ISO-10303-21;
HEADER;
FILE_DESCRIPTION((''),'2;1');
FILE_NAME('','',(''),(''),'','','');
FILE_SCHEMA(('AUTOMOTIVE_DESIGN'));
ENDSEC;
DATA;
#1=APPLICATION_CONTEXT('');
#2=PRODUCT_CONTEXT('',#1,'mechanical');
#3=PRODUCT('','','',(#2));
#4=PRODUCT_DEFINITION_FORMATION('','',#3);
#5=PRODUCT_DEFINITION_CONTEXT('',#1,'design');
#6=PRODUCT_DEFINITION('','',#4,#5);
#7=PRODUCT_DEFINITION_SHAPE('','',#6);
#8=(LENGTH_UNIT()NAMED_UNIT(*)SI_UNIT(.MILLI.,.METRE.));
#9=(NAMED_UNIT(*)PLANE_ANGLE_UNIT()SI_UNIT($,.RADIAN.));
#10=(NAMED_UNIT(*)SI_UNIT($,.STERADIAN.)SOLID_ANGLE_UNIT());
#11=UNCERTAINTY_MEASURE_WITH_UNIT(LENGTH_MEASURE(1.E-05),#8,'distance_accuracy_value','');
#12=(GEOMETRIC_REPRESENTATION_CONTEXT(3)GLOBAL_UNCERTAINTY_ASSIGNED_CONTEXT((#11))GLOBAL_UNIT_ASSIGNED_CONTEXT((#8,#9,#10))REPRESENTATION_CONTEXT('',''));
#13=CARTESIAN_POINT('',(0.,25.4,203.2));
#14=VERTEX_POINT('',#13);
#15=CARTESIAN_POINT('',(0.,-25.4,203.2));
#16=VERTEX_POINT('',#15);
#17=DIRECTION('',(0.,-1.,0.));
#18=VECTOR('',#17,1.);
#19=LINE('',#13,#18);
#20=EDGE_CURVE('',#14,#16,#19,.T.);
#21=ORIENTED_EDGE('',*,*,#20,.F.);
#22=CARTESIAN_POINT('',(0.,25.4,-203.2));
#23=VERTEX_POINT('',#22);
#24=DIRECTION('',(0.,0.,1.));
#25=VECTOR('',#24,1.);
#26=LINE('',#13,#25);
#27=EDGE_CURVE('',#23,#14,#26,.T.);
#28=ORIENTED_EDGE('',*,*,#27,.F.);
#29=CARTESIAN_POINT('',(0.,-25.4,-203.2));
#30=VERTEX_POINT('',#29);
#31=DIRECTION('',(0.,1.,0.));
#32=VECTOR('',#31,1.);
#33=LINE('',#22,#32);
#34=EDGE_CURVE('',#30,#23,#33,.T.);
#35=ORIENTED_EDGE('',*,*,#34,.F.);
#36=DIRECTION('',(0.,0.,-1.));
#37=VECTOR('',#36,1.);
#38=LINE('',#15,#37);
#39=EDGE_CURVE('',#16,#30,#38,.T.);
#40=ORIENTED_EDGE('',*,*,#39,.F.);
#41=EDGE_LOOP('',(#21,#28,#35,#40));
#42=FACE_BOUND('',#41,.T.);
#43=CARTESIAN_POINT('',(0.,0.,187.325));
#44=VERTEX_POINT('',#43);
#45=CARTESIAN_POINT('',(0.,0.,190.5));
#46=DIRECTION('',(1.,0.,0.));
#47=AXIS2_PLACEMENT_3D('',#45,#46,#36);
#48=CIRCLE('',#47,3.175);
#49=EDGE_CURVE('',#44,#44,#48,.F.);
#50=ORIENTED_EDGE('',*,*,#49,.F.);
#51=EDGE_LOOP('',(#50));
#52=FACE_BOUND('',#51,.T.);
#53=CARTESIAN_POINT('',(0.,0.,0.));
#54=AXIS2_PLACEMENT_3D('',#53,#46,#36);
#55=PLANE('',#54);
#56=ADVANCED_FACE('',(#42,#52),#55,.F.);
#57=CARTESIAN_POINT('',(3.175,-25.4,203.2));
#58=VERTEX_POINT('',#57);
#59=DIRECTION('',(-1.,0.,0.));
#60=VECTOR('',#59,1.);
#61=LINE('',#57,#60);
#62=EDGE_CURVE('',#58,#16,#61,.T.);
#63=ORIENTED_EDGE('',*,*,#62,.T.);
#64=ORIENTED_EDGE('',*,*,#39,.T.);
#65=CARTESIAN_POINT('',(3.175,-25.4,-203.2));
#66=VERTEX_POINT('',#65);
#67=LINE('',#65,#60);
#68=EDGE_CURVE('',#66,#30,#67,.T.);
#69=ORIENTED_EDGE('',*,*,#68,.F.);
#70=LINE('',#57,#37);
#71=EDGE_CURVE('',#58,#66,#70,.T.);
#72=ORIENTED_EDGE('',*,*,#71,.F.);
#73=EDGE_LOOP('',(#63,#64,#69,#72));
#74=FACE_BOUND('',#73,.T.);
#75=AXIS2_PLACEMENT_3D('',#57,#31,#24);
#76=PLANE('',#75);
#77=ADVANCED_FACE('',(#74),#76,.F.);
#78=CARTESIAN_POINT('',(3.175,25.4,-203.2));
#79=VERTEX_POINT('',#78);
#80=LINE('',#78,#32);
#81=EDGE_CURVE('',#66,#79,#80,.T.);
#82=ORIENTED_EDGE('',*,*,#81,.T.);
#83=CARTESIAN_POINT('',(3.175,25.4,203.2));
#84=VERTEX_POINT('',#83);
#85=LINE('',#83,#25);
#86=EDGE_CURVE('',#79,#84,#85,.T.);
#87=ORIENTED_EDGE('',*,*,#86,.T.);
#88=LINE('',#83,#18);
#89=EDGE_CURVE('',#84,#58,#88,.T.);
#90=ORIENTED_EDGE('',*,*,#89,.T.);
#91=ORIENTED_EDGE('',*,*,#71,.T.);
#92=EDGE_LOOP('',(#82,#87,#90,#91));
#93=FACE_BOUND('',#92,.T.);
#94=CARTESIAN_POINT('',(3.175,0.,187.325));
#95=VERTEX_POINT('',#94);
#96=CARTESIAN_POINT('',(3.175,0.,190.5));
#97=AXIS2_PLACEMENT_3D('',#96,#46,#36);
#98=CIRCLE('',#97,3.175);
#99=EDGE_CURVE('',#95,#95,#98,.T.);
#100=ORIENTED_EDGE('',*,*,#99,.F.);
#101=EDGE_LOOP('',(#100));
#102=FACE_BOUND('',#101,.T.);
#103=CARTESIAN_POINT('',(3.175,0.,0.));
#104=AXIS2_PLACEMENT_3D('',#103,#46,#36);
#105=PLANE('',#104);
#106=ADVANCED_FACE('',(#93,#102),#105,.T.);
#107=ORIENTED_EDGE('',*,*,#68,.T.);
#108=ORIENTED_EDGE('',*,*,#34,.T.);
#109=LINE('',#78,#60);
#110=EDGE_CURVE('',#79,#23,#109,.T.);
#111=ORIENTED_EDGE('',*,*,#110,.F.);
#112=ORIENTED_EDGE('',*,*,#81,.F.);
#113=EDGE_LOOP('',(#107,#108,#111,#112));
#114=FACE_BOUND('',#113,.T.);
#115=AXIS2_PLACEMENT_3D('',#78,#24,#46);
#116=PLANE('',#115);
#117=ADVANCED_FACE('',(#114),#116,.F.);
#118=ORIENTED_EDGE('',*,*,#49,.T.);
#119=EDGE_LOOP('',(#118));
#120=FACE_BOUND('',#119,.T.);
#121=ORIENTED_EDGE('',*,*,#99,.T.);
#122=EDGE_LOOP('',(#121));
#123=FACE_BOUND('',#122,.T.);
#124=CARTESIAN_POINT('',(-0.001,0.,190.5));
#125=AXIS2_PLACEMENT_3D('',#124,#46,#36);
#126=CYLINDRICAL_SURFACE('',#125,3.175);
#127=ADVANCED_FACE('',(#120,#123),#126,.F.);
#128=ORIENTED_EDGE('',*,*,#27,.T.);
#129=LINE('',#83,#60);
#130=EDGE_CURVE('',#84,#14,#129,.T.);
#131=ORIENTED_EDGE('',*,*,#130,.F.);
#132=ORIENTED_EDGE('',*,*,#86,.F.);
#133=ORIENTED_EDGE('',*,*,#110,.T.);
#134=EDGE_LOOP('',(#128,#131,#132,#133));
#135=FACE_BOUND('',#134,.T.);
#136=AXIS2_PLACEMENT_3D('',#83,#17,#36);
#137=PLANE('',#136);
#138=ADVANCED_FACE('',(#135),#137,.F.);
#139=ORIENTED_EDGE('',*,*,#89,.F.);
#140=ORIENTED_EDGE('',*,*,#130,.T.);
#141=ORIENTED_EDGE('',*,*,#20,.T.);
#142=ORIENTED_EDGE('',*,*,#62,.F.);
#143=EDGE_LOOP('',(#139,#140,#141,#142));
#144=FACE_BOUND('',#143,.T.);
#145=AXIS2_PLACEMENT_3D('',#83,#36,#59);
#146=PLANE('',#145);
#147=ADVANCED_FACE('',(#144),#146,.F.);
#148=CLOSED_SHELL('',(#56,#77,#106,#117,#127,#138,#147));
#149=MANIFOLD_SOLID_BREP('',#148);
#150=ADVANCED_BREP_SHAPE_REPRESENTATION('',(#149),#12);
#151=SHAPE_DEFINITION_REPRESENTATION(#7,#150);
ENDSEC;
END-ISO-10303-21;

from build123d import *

# Parameters (mm, degrees)
SKETCH1_W           = 406.4
SKETCH1_H           = 50.8
BOSS_EXTRUDE1_DEPTH = 3.175
CUT_EXTRUDE1_REACH  = 206.806
SKETCH2_R           = 3.175


with BuildPart() as part:
    # Sketch1 → Boss-Extrude1 (new body)
    with BuildSketch(Plane(origin=(0, 0, 0), x_dir=(0, 0, -1), z_dir=(1, 0, 0))):
        Rectangle(SKETCH1_W, SKETCH1_H)
    extrude(amount=BOSS_EXTRUDE1_DEPTH)

    # Sketch2 → Cut-Extrude1 (cut, up to next)
    with BuildSketch(Plane(origin=(3.175, 0, 0), x_dir=(0, 0, -1), z_dir=(1, 0, 0)), mode=Mode.PRIVATE) as cut_extrude1_sk1:
        with Locations((-190.5, 0)):
            Circle(SKETCH2_R)
    cut_extrude1_tool1 = extrude(cut_extrude1_sk1.sketch, amount=-CUT_EXTRUDE1_REACH, mode=Mode.PRIVATE) & part.part
    add(cut_extrude1_tool1.solids().sort_by_distance((3.175, 0, 190.5))[0], mode=Mode.SUBTRACT)


solid = part.part
